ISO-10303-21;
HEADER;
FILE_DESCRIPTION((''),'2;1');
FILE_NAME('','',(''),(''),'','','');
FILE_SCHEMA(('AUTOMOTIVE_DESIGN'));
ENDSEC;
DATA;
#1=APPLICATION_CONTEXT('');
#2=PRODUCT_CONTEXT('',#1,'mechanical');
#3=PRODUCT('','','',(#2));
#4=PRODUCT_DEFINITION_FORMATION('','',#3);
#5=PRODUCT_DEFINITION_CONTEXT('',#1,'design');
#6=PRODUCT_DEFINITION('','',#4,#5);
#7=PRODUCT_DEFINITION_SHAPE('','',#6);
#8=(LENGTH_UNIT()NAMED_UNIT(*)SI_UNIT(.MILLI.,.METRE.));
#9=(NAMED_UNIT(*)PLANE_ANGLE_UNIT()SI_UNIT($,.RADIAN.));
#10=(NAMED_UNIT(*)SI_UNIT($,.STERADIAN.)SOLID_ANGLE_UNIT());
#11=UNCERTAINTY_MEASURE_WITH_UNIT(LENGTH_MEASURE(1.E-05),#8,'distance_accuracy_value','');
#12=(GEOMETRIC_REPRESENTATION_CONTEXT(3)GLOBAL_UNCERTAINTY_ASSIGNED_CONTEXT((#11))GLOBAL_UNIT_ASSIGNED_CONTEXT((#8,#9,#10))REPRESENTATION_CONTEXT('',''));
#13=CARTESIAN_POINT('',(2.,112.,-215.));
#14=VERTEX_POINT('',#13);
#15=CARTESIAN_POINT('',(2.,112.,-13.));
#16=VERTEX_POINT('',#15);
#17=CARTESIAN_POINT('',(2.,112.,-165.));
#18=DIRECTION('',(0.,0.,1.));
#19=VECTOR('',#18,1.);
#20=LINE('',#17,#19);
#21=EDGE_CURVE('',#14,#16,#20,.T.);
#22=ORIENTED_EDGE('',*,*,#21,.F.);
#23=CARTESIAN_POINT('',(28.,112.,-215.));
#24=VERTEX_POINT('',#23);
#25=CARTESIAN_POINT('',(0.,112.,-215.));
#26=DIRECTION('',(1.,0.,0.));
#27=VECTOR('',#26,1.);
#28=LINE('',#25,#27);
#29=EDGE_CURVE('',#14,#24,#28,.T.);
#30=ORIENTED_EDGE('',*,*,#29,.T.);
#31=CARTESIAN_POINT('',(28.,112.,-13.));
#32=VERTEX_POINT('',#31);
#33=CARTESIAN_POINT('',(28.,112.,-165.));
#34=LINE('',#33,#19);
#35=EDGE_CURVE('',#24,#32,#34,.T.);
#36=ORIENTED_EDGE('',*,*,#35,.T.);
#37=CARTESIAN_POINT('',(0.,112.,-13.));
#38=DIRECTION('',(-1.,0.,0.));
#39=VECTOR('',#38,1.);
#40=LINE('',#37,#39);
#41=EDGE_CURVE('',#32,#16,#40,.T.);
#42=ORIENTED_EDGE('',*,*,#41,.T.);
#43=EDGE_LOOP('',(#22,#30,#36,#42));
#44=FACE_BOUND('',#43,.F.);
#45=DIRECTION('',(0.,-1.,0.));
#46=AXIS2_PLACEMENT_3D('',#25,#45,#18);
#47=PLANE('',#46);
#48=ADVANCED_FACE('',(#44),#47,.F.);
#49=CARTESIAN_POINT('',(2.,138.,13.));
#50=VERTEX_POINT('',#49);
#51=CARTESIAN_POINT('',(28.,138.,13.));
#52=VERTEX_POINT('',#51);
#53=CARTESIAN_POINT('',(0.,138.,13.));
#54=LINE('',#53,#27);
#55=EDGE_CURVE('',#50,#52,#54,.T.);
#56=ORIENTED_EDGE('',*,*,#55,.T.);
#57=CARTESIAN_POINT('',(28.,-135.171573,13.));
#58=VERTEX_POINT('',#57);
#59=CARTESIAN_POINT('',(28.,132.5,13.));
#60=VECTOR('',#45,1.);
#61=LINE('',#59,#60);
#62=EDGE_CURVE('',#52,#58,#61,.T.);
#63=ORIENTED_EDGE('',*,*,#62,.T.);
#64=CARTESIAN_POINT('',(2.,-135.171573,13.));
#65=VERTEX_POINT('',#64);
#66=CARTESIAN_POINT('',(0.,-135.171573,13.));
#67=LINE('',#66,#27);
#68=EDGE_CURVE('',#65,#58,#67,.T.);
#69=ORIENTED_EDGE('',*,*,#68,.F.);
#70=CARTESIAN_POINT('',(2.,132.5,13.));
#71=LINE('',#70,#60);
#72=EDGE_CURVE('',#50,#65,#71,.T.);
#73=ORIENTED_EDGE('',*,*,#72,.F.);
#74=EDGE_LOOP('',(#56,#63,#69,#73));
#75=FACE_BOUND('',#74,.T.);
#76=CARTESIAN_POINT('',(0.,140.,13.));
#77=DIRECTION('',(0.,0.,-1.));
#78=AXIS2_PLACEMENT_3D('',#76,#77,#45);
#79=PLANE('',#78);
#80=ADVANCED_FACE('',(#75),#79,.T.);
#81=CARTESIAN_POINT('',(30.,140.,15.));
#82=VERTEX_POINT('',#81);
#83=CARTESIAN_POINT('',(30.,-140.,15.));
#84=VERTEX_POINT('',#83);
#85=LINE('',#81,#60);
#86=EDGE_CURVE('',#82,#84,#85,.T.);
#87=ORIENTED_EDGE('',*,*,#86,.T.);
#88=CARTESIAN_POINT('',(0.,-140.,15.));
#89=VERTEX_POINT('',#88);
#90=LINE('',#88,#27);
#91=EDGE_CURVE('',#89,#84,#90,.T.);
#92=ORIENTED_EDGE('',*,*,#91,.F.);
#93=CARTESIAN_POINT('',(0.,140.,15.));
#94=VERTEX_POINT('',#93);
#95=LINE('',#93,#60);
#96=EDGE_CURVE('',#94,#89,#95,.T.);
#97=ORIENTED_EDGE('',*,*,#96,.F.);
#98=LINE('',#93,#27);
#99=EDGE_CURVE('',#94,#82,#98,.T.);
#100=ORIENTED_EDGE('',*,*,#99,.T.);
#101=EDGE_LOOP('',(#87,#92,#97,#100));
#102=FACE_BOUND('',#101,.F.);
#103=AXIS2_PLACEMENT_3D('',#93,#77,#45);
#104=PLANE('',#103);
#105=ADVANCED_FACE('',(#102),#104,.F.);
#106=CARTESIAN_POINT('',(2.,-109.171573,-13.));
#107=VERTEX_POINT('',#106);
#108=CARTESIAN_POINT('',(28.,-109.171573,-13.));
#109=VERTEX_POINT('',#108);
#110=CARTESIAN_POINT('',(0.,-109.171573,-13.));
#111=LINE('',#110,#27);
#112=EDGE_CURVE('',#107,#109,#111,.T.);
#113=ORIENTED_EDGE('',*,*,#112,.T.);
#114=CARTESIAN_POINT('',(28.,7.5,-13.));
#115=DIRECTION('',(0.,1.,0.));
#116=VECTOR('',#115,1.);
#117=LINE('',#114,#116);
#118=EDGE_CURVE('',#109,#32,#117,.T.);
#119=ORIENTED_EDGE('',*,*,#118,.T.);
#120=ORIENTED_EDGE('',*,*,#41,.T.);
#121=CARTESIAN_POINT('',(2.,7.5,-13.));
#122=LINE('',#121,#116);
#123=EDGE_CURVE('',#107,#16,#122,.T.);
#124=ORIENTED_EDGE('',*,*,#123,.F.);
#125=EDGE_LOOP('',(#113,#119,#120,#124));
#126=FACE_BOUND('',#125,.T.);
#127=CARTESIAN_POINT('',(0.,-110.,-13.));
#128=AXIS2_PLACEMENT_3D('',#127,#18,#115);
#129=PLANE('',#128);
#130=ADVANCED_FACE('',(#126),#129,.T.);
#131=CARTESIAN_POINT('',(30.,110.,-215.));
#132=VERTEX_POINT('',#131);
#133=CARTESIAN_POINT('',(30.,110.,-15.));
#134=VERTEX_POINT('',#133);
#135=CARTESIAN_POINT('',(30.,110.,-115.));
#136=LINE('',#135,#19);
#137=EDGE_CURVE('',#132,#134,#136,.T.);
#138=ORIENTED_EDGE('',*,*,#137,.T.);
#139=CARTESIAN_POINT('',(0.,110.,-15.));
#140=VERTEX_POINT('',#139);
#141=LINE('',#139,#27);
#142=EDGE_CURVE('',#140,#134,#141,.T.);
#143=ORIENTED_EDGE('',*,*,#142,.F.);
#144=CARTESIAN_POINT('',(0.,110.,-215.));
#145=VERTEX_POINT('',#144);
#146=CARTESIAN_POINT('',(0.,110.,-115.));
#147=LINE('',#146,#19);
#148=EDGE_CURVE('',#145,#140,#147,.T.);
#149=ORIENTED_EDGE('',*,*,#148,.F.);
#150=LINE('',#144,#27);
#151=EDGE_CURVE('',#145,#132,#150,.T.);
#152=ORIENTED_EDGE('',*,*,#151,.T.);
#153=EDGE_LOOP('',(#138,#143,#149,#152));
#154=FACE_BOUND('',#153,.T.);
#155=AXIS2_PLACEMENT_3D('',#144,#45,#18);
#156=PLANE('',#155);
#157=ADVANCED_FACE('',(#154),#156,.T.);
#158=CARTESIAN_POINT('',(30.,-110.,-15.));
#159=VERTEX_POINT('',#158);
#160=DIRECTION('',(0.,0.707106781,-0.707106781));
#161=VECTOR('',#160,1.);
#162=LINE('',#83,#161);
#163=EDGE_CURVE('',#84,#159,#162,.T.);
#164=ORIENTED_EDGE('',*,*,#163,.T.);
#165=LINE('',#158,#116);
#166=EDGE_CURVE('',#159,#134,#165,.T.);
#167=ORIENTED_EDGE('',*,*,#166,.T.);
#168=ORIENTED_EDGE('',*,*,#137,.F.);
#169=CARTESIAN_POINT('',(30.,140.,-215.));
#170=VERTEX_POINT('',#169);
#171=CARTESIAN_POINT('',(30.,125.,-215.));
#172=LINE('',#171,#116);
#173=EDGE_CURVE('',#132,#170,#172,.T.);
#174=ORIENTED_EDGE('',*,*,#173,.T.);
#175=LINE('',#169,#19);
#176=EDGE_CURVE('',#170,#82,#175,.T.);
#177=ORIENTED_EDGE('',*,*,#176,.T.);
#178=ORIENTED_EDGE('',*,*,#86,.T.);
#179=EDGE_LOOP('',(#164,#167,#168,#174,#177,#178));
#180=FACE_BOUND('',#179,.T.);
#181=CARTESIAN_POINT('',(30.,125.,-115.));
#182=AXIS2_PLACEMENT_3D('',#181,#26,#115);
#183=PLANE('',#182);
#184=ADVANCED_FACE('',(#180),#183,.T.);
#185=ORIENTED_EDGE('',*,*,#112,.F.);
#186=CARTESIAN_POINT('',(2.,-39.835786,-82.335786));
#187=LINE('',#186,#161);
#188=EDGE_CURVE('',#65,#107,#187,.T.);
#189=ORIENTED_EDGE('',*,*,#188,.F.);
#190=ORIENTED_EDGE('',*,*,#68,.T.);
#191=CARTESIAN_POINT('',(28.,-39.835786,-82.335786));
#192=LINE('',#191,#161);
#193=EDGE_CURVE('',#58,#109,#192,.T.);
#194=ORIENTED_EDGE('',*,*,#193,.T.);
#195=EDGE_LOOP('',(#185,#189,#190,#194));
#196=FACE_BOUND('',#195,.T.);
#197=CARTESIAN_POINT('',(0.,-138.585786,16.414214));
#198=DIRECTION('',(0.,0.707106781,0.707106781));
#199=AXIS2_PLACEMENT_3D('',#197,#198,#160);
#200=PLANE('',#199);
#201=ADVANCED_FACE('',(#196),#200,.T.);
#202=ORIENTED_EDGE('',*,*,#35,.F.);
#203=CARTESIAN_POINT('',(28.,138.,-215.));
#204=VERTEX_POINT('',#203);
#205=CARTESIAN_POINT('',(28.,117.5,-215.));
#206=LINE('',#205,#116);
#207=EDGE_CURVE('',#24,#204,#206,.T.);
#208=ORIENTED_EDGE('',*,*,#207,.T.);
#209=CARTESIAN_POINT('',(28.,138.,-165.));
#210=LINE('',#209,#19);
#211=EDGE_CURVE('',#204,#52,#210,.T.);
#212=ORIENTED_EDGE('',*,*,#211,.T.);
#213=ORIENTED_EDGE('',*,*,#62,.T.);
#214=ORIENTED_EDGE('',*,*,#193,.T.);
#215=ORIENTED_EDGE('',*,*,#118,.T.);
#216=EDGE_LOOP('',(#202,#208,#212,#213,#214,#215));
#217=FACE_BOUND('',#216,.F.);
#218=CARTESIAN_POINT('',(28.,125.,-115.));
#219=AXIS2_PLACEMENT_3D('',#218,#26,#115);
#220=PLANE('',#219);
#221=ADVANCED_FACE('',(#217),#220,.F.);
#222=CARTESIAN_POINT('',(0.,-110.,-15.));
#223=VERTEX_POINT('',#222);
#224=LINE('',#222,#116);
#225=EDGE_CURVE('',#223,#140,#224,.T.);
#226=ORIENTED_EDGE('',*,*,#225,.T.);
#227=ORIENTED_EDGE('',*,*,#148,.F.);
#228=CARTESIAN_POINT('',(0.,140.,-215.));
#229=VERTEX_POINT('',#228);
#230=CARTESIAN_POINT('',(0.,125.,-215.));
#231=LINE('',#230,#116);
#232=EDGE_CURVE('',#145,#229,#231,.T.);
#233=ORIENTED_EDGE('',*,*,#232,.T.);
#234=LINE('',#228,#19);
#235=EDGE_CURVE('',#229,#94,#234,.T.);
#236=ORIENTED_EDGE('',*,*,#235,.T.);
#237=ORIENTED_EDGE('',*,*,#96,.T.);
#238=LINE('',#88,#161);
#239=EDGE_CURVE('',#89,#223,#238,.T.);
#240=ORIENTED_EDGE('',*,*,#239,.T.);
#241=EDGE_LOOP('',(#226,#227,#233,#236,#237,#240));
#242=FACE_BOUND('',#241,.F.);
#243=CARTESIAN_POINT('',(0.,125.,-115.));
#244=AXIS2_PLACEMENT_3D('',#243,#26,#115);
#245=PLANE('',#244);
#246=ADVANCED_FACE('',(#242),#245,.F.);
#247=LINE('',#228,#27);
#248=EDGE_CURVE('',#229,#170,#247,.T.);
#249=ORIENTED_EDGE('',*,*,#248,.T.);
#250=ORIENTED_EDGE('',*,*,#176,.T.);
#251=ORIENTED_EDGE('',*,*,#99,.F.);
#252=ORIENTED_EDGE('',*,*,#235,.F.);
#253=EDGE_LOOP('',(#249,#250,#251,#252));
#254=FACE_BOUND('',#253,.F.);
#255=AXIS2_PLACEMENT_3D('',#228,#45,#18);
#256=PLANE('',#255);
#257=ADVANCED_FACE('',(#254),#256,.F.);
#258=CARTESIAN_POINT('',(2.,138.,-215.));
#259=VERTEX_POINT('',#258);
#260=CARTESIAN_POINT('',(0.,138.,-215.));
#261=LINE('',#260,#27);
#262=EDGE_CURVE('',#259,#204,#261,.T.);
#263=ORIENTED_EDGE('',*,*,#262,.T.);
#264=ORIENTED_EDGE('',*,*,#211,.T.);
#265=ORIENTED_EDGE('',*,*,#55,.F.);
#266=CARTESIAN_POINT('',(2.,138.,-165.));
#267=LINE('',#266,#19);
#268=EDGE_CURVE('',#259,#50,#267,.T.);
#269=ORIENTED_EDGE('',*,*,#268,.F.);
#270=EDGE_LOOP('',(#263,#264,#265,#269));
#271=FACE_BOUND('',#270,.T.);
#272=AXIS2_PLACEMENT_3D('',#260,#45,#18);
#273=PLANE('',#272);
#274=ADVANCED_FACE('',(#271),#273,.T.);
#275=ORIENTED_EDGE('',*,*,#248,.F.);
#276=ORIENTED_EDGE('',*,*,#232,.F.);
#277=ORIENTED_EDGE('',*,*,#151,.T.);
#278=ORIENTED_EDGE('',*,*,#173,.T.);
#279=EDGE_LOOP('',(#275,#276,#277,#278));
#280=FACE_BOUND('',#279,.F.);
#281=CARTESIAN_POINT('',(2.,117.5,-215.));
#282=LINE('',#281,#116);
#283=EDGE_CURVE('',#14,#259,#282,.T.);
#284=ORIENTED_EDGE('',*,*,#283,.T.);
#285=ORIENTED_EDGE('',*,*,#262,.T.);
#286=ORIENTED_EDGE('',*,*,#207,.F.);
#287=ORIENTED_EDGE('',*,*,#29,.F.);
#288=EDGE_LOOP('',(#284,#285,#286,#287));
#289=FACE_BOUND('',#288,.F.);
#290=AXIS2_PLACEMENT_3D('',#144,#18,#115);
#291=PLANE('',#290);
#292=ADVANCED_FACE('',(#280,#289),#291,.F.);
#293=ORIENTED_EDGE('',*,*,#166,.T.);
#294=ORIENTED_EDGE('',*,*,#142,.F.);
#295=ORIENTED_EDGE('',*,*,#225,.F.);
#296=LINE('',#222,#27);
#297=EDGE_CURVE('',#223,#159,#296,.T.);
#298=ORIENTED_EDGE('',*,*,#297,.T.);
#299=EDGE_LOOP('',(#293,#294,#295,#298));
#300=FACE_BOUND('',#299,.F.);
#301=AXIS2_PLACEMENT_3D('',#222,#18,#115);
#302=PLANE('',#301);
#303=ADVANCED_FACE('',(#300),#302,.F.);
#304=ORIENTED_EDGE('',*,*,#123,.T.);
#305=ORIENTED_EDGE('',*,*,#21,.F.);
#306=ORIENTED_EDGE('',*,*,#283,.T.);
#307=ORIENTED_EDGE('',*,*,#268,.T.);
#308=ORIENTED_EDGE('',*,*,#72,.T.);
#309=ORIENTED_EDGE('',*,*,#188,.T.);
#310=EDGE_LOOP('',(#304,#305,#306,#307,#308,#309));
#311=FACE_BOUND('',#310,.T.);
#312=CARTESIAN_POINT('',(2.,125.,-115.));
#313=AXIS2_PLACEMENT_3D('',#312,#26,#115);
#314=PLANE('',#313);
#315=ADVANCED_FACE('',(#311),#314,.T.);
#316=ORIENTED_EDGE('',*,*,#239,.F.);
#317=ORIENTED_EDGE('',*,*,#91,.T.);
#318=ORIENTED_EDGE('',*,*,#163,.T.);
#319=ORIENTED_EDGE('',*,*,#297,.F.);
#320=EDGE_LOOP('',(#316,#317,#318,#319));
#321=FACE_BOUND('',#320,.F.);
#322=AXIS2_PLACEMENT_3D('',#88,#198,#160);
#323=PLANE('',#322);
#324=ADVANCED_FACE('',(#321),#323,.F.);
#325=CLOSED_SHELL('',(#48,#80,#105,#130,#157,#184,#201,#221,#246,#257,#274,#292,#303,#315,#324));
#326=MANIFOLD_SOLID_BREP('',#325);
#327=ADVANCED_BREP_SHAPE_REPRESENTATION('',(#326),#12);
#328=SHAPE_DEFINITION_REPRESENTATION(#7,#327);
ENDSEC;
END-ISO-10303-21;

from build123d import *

# Parameters (mm, degrees)
F0_W     = 30
F0_H     = 200
F1_DEPTH = 30
F2_T     = -2


with BuildPart() as f1:
    # F0 (on Right) → F1 (new body)
    with BuildSketch(Plane.YZ):
        with Locations((125, -115)):
            Rectangle(F0_W, F0_H)
        Polygon((110, -15), (140, -15), (140, 15), (-140, 15), (-110, -15), align=None)
    extrude(amount=F1_DEPTH)

    # F2
    f2_openings = [f1.faces().sort_by_distance(p)[0] for p in [
        (15, 125, -215),
    ]]
    offset(amount=F2_T, openings=f2_openings, kind=Kind.INTERSECTION)


solid = f1.part
